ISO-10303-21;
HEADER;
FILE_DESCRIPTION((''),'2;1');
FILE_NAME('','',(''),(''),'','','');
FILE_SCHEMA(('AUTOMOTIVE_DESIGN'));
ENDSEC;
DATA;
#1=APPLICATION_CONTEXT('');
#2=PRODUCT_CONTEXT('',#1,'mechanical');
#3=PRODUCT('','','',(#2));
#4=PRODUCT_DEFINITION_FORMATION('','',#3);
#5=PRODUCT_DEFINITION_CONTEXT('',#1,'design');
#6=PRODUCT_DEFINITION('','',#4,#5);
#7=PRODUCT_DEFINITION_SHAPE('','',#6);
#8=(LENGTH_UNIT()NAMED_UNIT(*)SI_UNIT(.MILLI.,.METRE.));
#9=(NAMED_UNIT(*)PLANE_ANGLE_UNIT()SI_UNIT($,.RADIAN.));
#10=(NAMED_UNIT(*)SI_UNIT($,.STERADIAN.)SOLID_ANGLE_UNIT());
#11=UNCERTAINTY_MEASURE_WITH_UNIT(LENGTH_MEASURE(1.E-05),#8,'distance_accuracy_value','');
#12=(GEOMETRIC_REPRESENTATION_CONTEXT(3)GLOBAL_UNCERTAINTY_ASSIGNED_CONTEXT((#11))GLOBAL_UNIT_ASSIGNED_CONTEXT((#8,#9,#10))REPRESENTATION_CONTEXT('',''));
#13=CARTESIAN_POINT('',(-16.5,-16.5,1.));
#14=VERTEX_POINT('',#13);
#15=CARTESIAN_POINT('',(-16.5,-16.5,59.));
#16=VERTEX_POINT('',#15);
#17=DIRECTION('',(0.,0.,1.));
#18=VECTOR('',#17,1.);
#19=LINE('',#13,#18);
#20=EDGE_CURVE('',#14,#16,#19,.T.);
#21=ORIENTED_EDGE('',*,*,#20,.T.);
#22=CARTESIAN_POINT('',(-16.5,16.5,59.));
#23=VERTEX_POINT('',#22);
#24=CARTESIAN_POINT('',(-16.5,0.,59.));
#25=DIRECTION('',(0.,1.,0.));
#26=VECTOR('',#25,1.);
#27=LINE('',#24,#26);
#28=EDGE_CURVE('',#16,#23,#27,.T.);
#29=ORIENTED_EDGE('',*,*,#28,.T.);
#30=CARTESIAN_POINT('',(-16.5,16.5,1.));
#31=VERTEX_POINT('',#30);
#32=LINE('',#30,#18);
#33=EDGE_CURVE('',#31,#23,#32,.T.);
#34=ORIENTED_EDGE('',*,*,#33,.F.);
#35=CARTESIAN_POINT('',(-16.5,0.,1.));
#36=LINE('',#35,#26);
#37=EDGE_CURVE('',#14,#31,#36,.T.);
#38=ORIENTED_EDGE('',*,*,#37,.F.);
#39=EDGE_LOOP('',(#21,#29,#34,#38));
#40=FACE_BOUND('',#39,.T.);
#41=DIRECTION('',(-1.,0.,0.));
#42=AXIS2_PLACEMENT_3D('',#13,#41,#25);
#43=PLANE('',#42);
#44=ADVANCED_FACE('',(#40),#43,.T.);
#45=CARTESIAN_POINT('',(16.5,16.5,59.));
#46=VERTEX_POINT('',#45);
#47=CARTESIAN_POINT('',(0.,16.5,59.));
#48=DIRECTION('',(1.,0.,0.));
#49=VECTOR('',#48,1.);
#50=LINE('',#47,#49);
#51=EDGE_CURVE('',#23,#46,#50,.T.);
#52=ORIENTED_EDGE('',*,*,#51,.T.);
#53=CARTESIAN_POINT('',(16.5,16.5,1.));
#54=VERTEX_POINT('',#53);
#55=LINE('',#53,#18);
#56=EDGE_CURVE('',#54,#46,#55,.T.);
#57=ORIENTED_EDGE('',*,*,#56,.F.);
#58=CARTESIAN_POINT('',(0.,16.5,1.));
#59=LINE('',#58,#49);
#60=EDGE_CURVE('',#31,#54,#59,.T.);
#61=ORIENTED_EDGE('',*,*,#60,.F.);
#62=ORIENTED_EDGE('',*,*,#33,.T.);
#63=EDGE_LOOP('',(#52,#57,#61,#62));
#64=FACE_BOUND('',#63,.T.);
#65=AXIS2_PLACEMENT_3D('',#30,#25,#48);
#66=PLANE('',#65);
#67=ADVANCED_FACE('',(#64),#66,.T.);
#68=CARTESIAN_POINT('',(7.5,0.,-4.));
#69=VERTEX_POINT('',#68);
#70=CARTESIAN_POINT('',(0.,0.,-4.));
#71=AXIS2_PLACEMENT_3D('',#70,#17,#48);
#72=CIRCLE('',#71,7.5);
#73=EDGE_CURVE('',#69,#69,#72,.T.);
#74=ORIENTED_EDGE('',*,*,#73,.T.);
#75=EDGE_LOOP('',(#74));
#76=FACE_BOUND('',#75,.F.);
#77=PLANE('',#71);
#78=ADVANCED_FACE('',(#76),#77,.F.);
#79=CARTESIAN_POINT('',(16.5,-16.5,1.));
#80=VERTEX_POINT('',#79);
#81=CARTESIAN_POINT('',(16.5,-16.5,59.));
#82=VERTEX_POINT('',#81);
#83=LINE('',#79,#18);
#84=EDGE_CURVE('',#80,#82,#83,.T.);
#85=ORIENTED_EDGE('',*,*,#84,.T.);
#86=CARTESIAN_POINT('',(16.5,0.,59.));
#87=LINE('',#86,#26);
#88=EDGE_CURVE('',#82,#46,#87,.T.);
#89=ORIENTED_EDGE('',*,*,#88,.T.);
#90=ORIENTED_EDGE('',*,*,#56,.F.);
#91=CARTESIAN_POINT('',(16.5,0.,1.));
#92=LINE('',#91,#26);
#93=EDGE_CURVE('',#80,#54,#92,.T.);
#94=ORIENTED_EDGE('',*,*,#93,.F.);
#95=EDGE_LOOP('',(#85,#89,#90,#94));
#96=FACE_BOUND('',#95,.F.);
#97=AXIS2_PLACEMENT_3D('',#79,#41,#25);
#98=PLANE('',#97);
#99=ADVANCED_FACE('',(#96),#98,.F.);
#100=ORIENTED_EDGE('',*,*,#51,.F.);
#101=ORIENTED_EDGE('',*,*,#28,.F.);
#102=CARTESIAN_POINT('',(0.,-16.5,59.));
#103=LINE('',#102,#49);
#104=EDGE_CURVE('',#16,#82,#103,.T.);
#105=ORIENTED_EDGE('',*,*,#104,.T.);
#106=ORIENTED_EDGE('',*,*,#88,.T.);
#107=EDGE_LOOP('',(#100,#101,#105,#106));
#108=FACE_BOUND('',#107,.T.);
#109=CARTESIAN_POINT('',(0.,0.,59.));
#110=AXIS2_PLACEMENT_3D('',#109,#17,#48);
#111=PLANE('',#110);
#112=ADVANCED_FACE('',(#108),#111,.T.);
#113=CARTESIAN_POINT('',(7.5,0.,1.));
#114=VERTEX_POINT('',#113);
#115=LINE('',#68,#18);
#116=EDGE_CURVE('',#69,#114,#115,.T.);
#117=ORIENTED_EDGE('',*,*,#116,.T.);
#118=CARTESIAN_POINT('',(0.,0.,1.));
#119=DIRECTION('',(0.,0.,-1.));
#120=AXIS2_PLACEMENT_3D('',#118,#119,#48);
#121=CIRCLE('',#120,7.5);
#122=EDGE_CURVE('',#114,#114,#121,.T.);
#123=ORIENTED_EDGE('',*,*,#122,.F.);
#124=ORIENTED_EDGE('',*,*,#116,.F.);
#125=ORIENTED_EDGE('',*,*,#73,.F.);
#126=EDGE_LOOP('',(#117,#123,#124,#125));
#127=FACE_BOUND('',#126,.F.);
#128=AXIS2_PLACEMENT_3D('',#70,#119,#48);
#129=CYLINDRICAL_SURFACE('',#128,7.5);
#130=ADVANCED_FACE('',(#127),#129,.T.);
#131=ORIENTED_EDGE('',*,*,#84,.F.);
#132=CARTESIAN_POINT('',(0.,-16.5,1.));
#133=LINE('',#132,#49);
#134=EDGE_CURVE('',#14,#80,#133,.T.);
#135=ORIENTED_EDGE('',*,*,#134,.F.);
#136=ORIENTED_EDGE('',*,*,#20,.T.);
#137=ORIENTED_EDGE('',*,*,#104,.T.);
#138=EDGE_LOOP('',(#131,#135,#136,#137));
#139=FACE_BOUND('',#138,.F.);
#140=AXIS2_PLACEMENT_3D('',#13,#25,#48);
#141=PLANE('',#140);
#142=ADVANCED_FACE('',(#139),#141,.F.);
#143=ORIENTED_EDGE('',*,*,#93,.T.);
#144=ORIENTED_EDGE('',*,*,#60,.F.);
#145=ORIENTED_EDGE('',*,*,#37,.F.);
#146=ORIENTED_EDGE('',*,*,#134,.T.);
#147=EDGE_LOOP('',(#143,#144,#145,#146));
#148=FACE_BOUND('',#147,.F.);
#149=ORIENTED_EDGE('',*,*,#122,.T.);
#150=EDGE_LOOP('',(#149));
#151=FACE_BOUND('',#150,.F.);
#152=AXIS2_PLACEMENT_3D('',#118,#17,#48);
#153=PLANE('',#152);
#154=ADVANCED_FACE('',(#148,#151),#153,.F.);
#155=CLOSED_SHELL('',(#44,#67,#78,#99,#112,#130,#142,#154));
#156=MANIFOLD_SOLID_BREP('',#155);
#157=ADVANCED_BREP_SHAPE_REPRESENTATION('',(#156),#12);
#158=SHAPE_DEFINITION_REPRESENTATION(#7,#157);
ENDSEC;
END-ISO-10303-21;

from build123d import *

# Parameters (mm, degrees)
BOX002_W          = 33
BOX002_H          = 33
BOX002_DEPTH      = 58
CYLINDER005_R     = 7.5
CYLINDER005_DEPTH = 10


with BuildPart() as cube002:
    # Box002 → Box002 (new body)
    with BuildSketch(Plane(origin=(-16.5, -16.5, 3), x_dir=(1, 0, 0), z_dir=(0, 0, 1))):
        with Locations((16.5, 16.5)):
            Rectangle(BOX002_W, BOX002_H)
    extrude(amount=BOX002_DEPTH)


with BuildPart() as laser_module:
    # Cylinder005 → Cylinder005 (new body)
    with BuildSketch(Plane.XY.offset(-2)):
        Circle(CYLINDER005_R)
    extrude(amount=CYLINDER005_DEPTH)

    # Fusion006: union Cube002
    add(cube002.part)


with BuildPart() as laser_module_1:
    # Fusion006 placement: moved
    add(laser_module.part.moved(Location((0, 0, -2))))


solid = laser_module_1.part
